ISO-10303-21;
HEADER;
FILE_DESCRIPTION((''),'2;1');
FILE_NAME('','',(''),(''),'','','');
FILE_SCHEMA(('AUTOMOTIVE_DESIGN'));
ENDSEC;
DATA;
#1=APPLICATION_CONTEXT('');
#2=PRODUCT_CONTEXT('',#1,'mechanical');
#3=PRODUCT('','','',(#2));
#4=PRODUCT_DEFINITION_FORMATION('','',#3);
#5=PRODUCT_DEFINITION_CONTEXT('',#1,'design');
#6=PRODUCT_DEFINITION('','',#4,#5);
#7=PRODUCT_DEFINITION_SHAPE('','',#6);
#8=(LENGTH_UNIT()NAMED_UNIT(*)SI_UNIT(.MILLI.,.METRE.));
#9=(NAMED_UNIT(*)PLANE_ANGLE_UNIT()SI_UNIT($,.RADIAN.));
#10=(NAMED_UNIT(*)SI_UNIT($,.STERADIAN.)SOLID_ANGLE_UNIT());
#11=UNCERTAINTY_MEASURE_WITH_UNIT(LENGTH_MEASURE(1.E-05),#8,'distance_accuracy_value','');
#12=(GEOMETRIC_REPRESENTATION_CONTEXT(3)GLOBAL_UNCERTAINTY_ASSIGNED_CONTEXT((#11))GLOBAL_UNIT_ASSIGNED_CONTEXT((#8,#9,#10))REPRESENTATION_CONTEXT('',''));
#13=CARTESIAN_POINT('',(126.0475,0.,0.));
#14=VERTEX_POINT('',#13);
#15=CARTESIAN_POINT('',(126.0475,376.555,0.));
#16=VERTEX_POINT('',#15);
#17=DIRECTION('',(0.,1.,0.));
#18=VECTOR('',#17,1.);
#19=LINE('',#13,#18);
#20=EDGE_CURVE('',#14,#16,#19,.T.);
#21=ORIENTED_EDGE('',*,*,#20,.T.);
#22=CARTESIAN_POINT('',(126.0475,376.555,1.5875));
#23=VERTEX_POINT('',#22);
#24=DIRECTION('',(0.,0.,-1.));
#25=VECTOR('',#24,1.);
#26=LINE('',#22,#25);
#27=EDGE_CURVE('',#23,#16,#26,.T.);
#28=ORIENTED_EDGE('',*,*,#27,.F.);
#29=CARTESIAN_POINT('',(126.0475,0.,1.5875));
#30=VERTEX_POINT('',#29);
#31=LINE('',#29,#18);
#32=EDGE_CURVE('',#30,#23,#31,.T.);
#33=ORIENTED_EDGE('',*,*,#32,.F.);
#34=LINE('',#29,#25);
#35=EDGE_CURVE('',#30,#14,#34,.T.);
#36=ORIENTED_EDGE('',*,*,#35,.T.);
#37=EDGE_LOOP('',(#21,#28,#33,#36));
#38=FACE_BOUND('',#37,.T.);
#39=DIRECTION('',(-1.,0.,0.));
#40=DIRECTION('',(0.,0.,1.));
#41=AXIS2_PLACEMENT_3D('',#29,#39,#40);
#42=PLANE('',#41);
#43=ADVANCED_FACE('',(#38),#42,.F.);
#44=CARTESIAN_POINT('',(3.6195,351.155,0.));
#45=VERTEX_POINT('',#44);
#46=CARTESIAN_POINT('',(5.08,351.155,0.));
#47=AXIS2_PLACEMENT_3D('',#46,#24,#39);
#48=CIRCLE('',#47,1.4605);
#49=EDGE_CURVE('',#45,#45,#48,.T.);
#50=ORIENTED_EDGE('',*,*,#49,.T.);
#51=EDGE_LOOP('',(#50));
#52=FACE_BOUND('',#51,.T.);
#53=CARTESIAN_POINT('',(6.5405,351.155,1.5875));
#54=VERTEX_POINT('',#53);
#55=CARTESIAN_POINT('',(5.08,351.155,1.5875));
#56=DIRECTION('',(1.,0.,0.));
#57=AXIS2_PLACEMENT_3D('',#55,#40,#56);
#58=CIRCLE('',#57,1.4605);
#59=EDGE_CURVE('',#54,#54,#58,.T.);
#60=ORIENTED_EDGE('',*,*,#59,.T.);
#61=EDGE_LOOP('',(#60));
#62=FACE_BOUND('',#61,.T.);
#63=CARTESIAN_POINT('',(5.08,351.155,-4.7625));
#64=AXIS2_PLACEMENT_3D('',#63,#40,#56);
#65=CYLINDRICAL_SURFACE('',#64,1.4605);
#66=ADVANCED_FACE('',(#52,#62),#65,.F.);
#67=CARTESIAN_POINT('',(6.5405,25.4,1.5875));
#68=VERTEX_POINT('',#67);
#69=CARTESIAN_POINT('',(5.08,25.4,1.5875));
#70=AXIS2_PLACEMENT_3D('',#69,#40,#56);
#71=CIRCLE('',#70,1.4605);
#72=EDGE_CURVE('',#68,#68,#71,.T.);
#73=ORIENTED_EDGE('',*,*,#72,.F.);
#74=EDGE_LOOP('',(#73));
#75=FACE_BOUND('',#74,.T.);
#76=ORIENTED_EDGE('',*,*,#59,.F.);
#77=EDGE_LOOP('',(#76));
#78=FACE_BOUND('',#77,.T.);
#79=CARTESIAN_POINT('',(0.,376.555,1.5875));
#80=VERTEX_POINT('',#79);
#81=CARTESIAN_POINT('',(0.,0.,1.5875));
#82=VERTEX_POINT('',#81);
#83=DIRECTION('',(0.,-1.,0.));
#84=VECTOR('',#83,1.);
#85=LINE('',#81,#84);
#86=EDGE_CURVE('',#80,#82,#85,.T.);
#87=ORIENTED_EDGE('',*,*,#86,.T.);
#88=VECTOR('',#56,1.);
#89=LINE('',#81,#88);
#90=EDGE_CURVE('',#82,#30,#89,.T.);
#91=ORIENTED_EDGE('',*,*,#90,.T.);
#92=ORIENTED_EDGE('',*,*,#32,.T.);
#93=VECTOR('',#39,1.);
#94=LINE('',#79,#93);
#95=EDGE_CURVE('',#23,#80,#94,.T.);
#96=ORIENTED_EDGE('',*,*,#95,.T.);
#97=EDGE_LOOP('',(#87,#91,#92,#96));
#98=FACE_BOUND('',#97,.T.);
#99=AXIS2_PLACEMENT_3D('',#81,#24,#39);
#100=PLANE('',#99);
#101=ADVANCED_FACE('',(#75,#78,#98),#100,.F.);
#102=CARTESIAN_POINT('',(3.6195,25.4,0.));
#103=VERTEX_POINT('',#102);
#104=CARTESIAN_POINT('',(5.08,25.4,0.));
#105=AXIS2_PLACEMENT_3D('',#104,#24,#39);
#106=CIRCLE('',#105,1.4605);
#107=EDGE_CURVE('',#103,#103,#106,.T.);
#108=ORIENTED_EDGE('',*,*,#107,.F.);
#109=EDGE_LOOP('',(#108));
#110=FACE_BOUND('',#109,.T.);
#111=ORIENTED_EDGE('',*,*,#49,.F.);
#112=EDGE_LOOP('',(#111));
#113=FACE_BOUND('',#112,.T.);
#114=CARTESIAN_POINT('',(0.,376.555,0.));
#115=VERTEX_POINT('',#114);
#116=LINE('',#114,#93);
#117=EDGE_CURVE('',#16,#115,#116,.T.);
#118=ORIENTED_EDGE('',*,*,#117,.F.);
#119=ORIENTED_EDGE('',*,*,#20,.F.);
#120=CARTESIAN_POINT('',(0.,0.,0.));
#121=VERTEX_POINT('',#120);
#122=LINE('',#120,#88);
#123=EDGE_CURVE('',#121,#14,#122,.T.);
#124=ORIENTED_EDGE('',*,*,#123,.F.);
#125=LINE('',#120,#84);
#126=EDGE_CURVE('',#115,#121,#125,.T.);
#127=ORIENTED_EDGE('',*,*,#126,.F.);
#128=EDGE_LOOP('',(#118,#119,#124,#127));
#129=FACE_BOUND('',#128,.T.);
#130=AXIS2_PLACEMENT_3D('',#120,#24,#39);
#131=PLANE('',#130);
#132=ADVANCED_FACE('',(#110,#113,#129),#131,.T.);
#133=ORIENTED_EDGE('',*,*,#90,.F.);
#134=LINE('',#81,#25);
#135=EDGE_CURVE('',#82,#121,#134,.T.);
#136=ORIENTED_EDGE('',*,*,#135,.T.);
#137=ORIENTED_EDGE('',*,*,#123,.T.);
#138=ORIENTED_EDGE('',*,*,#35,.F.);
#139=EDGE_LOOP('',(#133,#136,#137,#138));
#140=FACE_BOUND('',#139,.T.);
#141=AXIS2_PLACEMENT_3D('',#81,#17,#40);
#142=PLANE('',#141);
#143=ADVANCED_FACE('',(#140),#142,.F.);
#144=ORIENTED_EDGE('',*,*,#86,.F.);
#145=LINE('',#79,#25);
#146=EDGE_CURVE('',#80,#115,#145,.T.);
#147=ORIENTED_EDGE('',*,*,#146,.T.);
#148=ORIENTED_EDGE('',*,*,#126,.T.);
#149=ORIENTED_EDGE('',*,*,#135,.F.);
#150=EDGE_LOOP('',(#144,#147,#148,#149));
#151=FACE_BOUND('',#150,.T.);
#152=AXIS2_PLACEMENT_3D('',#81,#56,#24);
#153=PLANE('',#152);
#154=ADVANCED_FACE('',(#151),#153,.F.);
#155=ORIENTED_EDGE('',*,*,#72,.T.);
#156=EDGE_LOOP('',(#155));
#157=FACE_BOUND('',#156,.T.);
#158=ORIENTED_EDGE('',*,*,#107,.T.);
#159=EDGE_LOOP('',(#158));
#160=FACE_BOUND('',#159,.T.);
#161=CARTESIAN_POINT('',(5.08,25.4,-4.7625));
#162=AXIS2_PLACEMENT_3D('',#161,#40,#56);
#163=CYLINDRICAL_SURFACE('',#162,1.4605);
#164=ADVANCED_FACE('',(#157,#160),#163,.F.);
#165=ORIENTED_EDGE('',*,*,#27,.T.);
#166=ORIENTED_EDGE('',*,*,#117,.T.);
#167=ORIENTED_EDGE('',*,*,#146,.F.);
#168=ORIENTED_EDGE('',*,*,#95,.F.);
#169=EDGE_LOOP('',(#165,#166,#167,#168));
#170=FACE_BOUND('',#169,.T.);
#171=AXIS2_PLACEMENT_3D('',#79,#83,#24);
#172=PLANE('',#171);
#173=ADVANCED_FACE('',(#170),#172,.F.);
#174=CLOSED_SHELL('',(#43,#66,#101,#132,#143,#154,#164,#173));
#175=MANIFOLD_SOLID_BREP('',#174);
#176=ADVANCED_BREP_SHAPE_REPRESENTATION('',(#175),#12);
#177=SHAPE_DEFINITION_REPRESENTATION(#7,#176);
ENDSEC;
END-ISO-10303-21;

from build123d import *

# Parameters (mm, degrees)
SKETCH1_W           = 126.0475
SKETCH1_H           = 376.555
BOSS_EXTRUDE1_DEPTH = 1.5875
SKETCH2_R           = 1.4605
CUT_EXTRUDE1_DEPTH  = 6.35
LPATTERN1_COUNT     = 2
LPATTERN1_PITCH     = 325.755


with BuildPart() as part:
    # Sketch1 → Boss-Extrude1 (new body)
    with BuildSketch(Plane.XY):
        with Locations((63.02375, 188.2775)):
            Rectangle(SKETCH1_W, SKETCH1_H)
    extrude(amount=BOSS_EXTRUDE1_DEPTH)

    # Sketch2 → Cut-Extrude1 (cut)
    with BuildSketch(Plane.XY.offset(1.5875)):
        with Locations((5.08, 351.155)):
            Circle(SKETCH2_R)
    cut_extrude1 = extrude(amount=-CUT_EXTRUDE1_DEPTH, mode=Mode.SUBTRACT)

    # LPattern1: Cut-Extrude1 ×2
    with Locations(*[(0, -i * LPATTERN1_PITCH, 0) for i in range(1, LPATTERN1_COUNT)]):
        add(cut_extrude1, mode=Mode.SUBTRACT)


solid = part.part
